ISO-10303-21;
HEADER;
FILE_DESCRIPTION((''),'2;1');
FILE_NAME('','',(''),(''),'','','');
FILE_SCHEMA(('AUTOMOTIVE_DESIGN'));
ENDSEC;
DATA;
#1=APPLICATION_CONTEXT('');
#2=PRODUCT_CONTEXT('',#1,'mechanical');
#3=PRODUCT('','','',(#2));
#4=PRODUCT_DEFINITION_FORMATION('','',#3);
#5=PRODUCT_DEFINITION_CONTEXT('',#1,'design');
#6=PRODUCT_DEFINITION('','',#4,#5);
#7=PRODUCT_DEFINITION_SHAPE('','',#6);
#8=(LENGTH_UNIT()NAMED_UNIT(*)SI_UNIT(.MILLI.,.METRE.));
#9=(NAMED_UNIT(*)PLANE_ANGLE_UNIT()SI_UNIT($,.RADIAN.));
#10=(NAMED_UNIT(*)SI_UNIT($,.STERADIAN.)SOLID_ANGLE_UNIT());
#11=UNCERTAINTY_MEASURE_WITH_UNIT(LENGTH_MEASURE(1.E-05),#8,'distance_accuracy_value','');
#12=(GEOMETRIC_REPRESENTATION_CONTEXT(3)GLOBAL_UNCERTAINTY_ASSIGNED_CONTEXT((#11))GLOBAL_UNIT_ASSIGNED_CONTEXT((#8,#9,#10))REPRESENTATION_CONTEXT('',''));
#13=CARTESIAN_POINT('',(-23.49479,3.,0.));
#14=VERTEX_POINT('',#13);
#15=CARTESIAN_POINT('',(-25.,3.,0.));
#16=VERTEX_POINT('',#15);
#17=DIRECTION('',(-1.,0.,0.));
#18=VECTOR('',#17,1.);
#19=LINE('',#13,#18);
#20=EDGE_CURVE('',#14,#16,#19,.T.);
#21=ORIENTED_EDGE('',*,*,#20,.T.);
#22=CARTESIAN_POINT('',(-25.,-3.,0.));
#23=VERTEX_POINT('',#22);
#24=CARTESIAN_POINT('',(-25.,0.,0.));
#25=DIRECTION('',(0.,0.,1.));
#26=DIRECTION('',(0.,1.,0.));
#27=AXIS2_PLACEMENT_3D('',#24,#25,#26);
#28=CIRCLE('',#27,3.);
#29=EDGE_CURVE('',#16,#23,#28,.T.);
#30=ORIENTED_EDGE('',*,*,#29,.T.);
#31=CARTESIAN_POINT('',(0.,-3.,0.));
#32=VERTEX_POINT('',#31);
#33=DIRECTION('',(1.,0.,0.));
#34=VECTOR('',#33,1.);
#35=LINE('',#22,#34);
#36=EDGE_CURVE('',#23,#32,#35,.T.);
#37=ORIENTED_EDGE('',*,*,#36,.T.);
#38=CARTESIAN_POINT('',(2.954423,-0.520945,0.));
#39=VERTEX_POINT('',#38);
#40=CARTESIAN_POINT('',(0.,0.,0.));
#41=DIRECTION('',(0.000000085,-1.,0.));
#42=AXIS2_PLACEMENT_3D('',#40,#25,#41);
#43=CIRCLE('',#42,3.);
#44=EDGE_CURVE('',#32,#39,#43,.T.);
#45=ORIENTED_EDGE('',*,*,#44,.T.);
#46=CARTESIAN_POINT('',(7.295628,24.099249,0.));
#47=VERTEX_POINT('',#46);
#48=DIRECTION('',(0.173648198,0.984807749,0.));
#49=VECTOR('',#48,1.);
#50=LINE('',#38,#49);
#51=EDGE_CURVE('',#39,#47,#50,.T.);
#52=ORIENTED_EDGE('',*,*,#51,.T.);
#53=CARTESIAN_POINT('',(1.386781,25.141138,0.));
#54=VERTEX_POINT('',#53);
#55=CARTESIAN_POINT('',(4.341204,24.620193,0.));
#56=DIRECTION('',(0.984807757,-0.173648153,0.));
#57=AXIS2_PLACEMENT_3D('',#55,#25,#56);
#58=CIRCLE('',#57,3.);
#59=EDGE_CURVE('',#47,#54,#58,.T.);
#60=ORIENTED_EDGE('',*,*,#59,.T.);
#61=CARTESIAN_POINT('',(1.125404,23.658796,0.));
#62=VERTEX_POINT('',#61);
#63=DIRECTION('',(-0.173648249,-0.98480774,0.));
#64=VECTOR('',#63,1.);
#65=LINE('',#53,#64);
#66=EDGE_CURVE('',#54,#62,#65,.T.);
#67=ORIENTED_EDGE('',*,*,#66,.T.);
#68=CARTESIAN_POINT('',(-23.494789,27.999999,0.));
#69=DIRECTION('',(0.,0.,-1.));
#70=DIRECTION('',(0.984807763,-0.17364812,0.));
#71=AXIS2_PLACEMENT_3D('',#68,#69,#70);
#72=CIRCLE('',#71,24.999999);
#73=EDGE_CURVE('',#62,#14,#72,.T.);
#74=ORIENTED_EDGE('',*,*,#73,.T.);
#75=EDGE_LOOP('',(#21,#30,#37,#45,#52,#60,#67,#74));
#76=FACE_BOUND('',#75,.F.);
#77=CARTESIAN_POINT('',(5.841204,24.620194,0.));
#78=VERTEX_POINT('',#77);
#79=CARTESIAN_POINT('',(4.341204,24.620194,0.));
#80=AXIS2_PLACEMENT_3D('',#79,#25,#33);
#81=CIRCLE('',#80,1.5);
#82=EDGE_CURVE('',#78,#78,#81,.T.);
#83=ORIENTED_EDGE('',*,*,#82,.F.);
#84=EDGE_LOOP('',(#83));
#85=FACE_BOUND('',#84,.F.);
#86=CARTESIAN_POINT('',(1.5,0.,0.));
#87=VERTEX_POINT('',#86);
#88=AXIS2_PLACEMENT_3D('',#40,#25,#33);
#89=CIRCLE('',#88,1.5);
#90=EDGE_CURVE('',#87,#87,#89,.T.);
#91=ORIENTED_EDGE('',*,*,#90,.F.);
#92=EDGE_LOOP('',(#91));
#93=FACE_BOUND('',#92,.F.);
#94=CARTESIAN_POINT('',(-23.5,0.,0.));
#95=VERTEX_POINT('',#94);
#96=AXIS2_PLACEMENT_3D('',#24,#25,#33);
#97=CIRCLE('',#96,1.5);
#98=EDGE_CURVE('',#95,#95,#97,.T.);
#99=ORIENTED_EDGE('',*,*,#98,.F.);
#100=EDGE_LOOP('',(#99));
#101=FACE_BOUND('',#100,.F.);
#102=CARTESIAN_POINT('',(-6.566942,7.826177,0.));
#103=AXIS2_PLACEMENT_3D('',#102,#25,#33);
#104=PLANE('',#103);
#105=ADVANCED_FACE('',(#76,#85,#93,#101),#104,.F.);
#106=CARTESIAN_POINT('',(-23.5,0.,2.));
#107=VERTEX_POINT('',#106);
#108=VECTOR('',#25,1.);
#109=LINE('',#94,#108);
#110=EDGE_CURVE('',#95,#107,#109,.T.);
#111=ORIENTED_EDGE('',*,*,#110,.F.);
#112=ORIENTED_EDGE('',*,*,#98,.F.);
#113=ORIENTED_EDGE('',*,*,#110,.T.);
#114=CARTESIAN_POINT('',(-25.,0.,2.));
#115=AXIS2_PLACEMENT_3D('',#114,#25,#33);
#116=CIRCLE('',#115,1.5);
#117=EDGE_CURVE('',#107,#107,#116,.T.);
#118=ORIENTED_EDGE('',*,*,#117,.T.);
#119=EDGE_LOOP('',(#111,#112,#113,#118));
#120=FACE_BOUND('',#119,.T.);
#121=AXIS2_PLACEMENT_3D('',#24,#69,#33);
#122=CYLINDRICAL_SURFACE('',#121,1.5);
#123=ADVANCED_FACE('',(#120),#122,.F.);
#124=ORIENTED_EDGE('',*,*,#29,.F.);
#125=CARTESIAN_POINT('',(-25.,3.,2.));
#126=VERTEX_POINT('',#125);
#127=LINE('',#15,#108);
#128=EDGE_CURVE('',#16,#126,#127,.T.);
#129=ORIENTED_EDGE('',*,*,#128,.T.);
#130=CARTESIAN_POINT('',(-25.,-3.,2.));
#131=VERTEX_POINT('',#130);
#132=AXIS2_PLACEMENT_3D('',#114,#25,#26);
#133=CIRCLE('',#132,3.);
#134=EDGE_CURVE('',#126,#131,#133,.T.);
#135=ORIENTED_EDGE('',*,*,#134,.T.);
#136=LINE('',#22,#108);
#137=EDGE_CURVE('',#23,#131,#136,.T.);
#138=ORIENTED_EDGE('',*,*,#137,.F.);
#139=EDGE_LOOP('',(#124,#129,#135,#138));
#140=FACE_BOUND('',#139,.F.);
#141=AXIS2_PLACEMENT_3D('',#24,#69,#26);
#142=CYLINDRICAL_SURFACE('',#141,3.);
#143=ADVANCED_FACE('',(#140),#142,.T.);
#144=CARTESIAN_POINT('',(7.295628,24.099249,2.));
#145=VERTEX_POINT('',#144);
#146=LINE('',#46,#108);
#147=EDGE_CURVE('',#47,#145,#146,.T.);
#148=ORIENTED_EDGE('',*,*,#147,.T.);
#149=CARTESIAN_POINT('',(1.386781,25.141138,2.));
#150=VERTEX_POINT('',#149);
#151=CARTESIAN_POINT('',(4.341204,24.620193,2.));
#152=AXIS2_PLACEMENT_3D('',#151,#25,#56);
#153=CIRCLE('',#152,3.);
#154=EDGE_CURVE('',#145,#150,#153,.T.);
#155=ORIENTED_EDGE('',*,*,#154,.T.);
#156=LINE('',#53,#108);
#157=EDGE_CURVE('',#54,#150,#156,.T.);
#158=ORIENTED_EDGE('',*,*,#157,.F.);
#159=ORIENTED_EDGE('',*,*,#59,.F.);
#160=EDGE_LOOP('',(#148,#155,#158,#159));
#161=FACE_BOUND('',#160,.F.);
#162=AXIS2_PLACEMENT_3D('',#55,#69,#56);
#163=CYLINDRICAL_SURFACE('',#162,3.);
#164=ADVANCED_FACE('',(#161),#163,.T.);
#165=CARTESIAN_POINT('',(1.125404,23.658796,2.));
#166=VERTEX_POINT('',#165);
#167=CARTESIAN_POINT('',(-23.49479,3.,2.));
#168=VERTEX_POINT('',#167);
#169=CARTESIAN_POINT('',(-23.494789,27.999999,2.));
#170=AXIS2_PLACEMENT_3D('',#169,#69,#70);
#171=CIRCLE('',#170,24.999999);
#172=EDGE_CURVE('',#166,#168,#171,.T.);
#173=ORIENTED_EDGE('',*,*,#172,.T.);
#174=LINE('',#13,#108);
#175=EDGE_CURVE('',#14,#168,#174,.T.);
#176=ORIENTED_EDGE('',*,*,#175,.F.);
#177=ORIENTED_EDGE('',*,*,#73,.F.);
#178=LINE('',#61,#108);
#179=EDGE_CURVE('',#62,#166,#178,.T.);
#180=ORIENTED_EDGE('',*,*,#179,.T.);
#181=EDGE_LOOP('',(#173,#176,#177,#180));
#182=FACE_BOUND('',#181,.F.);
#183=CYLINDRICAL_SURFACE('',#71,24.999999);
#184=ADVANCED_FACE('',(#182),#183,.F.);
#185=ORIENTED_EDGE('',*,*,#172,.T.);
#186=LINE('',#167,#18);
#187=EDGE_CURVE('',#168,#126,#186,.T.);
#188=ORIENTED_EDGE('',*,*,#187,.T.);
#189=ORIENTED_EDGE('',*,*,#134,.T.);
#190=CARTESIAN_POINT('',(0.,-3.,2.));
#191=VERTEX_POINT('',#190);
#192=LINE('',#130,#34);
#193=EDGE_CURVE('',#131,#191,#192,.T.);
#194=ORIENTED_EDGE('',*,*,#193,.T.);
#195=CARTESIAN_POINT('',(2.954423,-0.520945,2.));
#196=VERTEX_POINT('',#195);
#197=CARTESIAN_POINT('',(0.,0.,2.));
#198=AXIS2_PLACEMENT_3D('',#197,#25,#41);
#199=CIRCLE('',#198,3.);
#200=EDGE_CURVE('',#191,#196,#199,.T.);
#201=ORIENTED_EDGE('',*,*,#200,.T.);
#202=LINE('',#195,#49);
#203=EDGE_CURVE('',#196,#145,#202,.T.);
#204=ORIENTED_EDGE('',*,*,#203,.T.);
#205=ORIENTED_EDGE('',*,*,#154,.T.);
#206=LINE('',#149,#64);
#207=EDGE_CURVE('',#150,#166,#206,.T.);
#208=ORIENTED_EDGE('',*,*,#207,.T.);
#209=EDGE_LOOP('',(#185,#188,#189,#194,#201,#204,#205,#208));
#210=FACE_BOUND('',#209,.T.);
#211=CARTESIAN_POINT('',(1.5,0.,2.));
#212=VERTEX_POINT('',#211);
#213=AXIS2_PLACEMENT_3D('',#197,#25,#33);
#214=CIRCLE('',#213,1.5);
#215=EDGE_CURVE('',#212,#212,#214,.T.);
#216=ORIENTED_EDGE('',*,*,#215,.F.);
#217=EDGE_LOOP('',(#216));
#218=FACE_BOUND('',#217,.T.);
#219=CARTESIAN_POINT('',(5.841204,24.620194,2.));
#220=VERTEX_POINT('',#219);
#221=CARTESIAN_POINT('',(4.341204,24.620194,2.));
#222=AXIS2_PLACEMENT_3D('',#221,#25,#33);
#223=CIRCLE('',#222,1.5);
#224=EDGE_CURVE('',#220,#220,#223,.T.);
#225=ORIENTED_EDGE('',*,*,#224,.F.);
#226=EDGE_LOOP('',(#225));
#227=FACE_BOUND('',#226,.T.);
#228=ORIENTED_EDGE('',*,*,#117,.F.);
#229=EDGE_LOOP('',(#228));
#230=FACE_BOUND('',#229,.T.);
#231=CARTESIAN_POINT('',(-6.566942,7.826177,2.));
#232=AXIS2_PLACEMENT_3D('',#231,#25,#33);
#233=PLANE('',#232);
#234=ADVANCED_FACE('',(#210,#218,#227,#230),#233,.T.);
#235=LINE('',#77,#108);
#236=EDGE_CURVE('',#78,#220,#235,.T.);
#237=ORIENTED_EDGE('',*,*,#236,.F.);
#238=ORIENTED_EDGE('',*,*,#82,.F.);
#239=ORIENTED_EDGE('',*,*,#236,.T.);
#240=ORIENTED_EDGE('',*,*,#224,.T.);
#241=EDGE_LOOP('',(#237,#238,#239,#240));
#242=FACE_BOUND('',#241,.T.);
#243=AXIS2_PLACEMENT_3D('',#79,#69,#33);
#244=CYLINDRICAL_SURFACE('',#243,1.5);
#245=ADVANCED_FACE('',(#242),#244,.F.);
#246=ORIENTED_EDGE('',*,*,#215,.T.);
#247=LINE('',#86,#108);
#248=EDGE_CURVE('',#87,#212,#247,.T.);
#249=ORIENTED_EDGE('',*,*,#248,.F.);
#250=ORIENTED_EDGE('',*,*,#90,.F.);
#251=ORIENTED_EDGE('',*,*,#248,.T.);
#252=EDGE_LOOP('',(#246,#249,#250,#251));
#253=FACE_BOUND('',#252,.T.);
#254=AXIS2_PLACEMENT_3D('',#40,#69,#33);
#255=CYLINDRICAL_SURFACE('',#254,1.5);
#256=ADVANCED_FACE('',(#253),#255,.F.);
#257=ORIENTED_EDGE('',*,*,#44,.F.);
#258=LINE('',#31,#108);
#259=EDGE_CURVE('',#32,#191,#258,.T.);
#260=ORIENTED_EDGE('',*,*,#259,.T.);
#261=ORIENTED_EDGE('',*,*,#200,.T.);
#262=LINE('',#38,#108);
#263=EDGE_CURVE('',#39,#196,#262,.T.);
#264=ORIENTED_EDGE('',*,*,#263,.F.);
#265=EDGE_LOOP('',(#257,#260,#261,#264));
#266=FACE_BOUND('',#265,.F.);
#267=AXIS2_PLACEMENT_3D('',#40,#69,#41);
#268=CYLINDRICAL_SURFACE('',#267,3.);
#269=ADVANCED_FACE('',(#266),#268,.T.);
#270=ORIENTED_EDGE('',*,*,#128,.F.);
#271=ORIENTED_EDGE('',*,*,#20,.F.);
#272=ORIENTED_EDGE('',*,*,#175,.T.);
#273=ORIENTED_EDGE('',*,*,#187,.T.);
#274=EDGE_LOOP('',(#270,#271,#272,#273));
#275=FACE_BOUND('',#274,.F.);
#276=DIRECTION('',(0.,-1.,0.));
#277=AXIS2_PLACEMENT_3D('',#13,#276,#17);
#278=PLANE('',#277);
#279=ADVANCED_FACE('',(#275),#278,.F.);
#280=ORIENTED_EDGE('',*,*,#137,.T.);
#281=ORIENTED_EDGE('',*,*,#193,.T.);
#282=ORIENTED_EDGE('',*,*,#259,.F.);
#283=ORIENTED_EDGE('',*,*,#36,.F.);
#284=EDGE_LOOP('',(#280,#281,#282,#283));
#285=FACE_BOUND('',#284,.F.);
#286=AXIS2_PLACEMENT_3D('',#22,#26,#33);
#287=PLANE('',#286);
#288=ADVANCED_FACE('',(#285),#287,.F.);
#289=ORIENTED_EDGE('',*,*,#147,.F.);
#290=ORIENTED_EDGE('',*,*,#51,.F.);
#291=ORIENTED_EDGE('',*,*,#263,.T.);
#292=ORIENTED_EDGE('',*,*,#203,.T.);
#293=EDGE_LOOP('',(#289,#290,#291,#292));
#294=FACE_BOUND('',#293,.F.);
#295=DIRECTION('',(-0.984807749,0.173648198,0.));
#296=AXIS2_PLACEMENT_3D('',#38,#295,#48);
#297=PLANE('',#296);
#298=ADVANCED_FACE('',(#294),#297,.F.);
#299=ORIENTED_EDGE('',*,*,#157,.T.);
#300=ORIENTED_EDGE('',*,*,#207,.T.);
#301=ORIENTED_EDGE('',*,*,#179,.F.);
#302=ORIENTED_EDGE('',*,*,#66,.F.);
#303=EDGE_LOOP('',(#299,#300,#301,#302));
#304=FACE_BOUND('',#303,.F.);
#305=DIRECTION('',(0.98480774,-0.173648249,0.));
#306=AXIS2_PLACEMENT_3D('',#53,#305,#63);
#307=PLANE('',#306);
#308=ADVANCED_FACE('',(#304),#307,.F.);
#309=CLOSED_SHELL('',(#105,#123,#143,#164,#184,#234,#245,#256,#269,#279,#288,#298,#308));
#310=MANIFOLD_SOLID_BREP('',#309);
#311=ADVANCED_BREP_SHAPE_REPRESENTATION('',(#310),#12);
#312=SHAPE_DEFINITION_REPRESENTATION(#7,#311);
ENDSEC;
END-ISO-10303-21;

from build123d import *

# Parameters (mm, degrees)
F0_R     = 1.5
F1_DEPTH = 2


with BuildPart() as f1:
    # F0 (on Top) → F1 (new body)
    with BuildSketch(Plane.XY):
        with BuildLine():
            ThreePointArc((0, -3), (1.928363, -2.298133), (2.954423, -0.520945))
            Line((2.954423, -0.520945), (7.295628, 24.099249))
            ThreePointArc((7.295628, 24.099249), (4.862149, 27.574617), (1.386781, 25.141138))
            Line((1.386781, 25.141138), (1.125404, 23.658796))
            ThreePointArc((1.125404, 23.658796), (-7.425099, 8.848889), (-23.49479, 3))
            Line((-23.49479, 3), (-25, 3))
            ThreePointArc((-25, 3), (-28, 0), (-25, -3))
            Line((-25, -3), (0, -3))
        make_face()
        with Locations((-25, 0)):
            Circle(F0_R, mode=Mode.SUBTRACT)
        Circle(F0_R, mode=Mode.SUBTRACT)
        with Locations((4.341204, 24.620194)):
            Circle(F0_R, mode=Mode.SUBTRACT)
    extrude(amount=F1_DEPTH)


solid = f1.part
